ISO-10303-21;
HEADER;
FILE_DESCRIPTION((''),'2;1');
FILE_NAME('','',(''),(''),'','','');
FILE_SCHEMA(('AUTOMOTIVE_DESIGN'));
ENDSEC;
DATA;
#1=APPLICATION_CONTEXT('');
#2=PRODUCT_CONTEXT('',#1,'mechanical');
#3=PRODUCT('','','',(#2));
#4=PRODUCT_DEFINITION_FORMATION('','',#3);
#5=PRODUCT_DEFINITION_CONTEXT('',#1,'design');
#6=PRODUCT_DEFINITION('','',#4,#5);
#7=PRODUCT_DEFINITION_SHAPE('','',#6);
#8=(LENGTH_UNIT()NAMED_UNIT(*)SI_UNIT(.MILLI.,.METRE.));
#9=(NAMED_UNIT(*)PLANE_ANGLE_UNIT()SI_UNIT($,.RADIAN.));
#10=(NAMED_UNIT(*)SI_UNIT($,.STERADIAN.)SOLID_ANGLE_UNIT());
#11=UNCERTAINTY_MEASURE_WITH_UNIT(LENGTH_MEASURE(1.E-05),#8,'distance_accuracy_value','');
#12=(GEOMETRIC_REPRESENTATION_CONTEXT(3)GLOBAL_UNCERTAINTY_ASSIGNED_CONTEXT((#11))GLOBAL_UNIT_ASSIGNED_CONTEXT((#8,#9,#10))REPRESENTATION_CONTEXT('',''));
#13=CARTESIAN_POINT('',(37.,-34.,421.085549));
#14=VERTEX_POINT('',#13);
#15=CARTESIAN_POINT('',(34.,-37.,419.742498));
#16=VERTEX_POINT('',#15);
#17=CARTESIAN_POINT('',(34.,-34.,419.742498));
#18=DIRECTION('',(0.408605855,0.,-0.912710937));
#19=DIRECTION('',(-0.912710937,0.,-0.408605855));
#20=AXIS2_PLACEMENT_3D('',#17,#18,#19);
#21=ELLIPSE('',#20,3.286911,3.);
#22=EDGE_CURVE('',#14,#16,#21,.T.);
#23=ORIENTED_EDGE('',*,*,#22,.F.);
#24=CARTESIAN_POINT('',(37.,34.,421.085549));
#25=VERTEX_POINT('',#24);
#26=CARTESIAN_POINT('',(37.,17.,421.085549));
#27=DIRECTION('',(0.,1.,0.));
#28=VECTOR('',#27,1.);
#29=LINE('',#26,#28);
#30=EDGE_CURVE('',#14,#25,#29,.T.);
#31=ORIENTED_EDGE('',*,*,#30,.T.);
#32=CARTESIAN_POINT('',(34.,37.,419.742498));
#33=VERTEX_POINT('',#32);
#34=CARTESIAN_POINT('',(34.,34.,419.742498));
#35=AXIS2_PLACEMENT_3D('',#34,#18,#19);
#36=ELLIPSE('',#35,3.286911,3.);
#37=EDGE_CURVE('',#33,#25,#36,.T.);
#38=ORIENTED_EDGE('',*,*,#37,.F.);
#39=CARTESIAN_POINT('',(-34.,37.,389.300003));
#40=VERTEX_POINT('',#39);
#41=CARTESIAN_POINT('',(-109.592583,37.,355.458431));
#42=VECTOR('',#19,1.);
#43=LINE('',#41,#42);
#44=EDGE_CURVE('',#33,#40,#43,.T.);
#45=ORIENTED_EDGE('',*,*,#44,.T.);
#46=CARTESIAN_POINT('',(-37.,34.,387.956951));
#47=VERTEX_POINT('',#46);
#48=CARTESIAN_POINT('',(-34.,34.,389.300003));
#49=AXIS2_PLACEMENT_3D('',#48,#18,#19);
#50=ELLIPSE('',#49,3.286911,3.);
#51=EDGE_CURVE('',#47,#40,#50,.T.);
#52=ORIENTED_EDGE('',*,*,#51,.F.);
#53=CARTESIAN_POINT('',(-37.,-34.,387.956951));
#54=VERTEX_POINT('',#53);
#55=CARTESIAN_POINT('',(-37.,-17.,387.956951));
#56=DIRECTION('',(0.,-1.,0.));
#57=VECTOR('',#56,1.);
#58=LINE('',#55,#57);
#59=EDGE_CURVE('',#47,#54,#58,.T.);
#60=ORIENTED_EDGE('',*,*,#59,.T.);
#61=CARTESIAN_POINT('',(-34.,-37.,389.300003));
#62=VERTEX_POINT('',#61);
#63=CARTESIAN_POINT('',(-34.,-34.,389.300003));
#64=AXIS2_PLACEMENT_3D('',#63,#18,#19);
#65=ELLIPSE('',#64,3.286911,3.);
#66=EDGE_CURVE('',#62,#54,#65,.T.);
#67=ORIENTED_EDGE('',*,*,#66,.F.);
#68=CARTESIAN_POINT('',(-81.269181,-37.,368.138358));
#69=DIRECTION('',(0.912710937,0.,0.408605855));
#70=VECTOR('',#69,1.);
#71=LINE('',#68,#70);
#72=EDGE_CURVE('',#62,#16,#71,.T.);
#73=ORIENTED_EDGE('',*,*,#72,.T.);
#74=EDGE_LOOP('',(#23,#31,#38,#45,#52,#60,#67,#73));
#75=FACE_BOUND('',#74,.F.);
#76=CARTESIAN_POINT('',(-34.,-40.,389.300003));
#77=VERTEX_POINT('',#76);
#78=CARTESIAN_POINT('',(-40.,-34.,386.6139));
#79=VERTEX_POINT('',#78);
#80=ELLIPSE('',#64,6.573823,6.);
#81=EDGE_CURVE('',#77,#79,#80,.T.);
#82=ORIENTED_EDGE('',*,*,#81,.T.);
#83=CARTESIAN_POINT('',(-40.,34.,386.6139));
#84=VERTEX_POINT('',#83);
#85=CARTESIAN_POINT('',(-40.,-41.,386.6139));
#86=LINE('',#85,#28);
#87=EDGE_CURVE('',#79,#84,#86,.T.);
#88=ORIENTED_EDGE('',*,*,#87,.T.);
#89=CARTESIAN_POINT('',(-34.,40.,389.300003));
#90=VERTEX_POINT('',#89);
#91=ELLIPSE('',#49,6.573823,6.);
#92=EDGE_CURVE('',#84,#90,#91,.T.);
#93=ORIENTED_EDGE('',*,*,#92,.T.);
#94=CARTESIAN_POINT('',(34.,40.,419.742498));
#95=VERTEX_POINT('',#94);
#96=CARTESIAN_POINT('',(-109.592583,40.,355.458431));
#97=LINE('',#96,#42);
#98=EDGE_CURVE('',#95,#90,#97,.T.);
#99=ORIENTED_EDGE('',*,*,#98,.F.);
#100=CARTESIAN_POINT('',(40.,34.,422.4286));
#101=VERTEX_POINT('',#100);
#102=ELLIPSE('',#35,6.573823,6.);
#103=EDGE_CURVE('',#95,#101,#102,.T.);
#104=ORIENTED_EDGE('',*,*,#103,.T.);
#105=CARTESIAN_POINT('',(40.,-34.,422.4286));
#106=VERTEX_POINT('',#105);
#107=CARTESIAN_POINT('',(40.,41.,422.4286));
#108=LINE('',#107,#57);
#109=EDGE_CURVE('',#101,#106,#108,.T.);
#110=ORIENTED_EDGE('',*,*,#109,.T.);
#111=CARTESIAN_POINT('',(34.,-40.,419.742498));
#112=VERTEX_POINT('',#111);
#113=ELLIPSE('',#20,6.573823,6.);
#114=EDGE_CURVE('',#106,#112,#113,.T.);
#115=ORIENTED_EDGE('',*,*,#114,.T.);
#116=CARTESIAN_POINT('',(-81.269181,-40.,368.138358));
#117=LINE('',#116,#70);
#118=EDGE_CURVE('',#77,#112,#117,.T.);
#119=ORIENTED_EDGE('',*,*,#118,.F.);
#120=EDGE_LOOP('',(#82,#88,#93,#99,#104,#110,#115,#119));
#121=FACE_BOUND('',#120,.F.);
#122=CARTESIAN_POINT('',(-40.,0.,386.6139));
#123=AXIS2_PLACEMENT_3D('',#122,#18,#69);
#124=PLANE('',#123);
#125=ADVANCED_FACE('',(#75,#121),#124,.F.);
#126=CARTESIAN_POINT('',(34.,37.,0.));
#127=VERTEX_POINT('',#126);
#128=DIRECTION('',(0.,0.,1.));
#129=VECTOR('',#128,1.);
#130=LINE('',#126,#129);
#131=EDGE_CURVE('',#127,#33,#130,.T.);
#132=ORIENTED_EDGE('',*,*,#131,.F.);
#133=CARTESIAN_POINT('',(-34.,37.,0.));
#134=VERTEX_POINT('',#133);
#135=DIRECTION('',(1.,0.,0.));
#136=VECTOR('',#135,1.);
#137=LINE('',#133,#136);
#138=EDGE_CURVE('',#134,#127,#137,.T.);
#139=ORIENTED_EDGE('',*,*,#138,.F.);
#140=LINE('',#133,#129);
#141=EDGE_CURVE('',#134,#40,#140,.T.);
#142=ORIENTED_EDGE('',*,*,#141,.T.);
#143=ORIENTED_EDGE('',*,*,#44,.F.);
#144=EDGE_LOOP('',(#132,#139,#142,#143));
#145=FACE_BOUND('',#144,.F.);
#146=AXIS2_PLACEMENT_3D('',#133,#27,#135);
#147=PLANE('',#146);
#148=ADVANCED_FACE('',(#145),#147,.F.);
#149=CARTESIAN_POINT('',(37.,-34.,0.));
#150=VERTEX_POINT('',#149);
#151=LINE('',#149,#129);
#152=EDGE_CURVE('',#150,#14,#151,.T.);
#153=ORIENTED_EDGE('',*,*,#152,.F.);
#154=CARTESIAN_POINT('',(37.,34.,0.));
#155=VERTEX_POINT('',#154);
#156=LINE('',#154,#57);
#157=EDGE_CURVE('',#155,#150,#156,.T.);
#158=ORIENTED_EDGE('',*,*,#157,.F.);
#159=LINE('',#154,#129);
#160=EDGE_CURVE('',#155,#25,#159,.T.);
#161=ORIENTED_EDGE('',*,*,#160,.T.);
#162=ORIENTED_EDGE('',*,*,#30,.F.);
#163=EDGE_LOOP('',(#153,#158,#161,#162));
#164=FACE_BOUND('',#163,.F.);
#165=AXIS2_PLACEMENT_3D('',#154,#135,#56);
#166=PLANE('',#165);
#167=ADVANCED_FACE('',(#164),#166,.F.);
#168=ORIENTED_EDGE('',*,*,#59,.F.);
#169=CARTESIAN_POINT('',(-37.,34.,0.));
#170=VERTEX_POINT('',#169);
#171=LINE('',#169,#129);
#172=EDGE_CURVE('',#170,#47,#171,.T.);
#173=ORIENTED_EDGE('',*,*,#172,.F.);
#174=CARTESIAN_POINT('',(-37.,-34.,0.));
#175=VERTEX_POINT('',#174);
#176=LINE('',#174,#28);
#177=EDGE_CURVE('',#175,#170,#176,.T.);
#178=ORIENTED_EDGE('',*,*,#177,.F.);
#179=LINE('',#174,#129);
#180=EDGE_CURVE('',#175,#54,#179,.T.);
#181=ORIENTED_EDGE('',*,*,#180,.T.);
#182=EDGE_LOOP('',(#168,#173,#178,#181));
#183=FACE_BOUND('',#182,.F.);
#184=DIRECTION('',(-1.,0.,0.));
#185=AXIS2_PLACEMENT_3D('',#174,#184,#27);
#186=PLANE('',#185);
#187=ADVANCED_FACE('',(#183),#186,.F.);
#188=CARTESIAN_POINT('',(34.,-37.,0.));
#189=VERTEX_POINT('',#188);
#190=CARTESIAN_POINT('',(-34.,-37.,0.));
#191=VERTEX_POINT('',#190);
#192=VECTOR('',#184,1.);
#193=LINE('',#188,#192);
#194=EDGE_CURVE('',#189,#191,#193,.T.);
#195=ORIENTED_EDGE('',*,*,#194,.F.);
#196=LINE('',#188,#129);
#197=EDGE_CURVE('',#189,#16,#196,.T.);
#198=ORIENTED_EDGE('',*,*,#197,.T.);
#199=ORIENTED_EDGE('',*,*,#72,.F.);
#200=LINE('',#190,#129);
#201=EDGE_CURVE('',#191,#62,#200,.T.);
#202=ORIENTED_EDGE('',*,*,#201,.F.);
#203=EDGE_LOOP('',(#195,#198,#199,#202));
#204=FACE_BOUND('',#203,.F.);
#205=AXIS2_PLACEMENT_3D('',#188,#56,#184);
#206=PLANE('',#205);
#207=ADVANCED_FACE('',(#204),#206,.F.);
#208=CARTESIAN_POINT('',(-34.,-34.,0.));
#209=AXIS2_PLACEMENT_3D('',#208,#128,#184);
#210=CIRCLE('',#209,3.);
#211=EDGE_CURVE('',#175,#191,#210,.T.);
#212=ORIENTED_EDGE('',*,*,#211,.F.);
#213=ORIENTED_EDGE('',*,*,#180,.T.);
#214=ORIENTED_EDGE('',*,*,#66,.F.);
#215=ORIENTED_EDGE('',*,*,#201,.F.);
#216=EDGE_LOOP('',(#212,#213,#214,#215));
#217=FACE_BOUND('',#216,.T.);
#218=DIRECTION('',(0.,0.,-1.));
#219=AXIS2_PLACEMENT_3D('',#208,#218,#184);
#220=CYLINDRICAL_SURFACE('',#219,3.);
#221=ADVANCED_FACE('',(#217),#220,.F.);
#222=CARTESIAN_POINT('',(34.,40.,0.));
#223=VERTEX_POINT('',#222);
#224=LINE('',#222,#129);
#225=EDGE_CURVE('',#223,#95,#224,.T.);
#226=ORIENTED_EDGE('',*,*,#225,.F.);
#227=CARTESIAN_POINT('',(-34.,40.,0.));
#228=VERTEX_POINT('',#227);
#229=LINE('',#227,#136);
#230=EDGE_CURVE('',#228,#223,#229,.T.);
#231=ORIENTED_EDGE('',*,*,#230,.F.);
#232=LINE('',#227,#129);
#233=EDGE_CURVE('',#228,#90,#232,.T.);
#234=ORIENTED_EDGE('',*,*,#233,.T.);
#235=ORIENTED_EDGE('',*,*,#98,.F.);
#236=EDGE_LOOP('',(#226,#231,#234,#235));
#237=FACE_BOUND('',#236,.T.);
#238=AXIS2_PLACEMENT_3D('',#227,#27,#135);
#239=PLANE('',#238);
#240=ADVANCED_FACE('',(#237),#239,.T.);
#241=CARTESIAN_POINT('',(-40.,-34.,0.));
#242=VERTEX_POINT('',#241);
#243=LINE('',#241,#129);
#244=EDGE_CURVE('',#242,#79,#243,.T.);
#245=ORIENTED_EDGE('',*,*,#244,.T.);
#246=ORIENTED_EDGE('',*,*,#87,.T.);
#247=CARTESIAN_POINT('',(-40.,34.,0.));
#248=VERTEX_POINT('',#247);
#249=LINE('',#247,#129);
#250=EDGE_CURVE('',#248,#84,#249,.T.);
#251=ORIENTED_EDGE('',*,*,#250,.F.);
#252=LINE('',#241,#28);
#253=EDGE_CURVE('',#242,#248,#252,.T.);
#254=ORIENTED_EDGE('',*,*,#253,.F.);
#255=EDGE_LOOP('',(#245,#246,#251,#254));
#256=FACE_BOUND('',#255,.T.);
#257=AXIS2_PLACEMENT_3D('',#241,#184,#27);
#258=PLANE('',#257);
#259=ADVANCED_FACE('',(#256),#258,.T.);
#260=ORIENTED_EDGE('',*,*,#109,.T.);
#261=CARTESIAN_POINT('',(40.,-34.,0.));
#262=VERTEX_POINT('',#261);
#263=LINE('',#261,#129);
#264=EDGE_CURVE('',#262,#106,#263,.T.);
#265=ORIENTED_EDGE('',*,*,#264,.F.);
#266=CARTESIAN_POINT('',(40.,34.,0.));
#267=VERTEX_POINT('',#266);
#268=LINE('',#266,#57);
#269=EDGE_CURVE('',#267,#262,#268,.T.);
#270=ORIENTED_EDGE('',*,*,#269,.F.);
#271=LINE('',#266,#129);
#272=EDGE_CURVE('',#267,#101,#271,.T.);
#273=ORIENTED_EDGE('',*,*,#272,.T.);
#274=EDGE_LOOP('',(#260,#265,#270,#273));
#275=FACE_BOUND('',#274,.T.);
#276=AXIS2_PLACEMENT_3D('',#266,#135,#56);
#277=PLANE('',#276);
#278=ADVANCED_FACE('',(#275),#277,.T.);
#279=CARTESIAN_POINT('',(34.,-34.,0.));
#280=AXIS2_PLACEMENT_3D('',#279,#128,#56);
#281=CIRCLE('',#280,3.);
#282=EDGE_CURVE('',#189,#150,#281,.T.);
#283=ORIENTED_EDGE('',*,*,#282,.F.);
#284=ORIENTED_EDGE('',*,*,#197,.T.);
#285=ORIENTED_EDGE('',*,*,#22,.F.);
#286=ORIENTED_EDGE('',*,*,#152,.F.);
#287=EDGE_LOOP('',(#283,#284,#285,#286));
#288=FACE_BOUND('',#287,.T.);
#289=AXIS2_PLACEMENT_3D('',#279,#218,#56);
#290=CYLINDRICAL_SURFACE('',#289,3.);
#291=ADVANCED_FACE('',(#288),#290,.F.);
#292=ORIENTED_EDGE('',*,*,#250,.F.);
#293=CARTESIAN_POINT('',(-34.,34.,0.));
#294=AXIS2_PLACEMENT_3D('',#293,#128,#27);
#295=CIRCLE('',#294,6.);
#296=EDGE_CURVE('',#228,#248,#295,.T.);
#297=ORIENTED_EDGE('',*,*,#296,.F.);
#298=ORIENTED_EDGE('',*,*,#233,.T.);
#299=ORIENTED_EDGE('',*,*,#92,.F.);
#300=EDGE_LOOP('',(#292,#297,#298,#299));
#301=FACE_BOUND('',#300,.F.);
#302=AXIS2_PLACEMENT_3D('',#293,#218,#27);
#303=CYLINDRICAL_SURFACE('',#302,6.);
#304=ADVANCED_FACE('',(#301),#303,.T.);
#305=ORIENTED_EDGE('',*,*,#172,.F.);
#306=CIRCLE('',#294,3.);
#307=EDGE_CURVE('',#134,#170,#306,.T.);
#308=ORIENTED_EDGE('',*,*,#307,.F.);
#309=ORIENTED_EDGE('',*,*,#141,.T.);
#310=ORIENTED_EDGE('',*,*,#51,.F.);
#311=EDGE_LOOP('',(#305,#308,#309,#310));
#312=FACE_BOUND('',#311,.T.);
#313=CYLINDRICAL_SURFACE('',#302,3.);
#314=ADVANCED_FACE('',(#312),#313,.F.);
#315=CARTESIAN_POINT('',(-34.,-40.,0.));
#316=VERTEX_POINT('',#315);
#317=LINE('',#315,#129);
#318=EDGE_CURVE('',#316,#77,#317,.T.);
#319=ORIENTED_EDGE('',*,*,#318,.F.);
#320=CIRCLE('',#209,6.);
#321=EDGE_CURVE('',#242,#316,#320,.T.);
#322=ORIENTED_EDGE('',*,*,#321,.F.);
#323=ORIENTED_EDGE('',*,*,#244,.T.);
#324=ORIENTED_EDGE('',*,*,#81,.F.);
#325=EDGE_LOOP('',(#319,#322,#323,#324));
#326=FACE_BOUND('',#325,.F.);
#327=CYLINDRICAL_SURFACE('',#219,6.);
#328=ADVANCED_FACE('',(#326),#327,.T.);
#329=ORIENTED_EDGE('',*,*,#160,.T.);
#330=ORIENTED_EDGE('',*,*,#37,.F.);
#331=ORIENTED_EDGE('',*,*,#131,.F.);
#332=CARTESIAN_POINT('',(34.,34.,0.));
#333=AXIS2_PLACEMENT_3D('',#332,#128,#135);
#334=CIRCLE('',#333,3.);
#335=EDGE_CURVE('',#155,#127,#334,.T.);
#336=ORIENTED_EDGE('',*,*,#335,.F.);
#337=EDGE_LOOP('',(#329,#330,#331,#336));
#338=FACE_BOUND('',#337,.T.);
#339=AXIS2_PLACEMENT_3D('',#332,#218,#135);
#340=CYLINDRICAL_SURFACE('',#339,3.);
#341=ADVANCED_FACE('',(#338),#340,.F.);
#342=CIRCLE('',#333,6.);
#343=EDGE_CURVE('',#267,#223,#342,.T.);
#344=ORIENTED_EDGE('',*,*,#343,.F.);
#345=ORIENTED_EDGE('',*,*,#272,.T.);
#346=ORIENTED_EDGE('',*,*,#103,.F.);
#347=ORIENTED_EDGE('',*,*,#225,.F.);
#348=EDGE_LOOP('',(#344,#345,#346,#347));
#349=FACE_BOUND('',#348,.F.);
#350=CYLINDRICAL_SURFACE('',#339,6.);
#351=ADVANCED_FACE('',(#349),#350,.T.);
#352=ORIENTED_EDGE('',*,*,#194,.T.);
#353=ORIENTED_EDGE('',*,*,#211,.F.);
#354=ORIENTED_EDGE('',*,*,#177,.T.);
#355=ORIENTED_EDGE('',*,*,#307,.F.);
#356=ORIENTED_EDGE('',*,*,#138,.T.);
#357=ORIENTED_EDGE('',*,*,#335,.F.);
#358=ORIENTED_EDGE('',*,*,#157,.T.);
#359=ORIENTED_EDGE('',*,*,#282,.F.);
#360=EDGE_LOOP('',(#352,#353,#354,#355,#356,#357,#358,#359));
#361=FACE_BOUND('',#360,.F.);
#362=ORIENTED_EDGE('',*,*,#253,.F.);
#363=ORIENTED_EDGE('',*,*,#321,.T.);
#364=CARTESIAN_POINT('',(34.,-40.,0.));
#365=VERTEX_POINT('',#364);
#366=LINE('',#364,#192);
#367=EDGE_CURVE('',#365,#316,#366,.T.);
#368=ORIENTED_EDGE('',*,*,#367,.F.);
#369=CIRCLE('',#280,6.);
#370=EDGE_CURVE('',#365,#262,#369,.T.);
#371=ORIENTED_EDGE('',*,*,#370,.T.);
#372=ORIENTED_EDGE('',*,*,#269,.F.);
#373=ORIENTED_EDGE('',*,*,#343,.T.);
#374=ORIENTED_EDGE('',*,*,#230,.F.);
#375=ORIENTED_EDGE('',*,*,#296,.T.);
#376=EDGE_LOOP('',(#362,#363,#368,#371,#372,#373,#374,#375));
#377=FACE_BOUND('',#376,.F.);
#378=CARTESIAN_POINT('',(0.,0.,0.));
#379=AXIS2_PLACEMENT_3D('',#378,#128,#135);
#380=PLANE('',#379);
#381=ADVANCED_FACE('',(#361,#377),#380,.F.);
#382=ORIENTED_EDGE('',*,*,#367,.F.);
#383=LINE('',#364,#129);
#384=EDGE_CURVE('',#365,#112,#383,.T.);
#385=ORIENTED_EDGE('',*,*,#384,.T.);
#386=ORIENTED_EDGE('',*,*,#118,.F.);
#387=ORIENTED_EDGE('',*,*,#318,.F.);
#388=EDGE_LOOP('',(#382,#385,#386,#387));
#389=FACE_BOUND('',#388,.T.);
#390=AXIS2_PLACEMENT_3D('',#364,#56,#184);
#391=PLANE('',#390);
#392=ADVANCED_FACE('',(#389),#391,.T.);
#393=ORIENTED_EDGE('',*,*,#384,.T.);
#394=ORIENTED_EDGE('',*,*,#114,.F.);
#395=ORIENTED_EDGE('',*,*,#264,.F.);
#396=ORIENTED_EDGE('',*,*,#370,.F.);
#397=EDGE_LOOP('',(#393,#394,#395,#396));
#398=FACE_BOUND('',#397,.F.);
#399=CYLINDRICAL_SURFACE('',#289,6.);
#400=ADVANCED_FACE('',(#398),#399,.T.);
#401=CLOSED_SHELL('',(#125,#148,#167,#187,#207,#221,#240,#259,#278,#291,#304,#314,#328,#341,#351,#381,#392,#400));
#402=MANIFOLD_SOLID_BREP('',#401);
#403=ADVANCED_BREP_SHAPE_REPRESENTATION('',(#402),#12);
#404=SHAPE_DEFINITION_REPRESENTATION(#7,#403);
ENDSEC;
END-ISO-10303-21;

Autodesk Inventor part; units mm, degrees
ref_plane "YZ Plane" through (0, 0, 0) normal (1, 0, 0) x (0, 1, 0)
ref_plane "Start plane" through (0, 0, 0) normal (0, 0, 1) x (1, 0, 0)
ref_plane "End plane" through (0, 0, 1000) normal (0, 0, 1) x (1, 0, 0)
sketch "Sketch" plane through (0, 0, 0) normal (0, 0, 1) x (1, 0, 0)
  line L0 (-40, -34) -> (-40, 34)
  line L1 (-34, 40) -> (34, 40)
  line L2 (40, 34) -> (40, -34)
  line L3 (34, -40) -> (-34, -40)
  arc A0 (-40, -34) -> (-34, -40) centre (-34, -34) ccw
  arc A1 (40, 34) -> (34, 40) centre (34, 34) ccw
  arc A2 (-34, 40) -> (-40, 34) centre (-34, 34) ccw
  arc A3 (34, -40) -> (40, -34) centre (34, -34) ccw
  arc A4 (-34, 37) -> (-37, 34) centre (-34, 34) ccw
  line L4 (-34, 37) -> (34, 37)
  arc A5 (37, 34) -> (34, 37) centre (34, 34) ccw
  line L5 (37, 34) -> (37, -34)
  arc A6 (34, -37) -> (37, -34) centre (34, -34) ccw
  line L6 (34, -37) -> (-34, -37)
  arc A7 (-37, -34) -> (-34, -37) centre (-34, -34) ccw
  line L7 (-37, -34) -> (-37, 34)
  line L8 (0, 44.3196) -> (0, -44.3196) construction
  line L9 (-1340.2663, 0) -> (380.2663, 0) construction
  dimension "d7" = 6
  dimension "d9" = 80
  dimension "d11" = 80
  dimension "d12" = 3
  dimension "d15" = 40
  dimension "d16" = 40
extrude "Body" add sketch "Sketch" along normal up to surface (1000 mm away) from surface at 0
sketch "Sketch3" plane through (0, 0, 0) normal (0, 0, 1) x (1, 0, 0)
  line L0 (0, 0) -> (10, 0)
ref_plane "Work Plane3" through (0, 0, 0) normal (0, -1, 0) x (1, 0, 0)
sketch "Sketch5" plane through (0, 0, 0) normal (0, 1, 0) x (-1, 0, 0)
  line L0 (-40, 0) -> (-40, 1000) projected
  line L1 (40, 0) -> (40, 1000) projected
  line L2 (40, 0) -> (40, 1000) projected
  line L3 (40, 397.5702) -> (490, 397.5702) construction
  line L4 (-47.0166, 436.8676) -> (1027.0166, 436.8676) construction
  arc A0 (-47.0166, 436.8676) -> (490, 310) centre (490, 1510) ccw construction
  line L5 (-110, 538.8152) -> (1090, 538.8152) construction
  arc A1 (-110, 538.8152) -> (-47.0166, 436.8676) centre (4, 538.8152) ccw construction
  arc A2 (1027.0166, 436.8676) -> (1090, 538.8152) centre (976, 538.8152) ccw
  line L6 (-110, 538.8152) -> (-110, 578.8152)
  line L7 (1090, 538.8152) -> (1090, 578.8152)
  line L8 (-110, 578.8152) -> (490, 578.8152) construction
  line L9 (490, 578.8152) -> (490, 0)
  arc A3 (490, 310) -> (1027.0166, 436.8676) centre (490, 1510) ccw
  line L10 (490, 578.8152) -> (1090, 578.8152)
  point P0 (0, 0)
  dimension "d22" = 450
  dimension "d24" = 1200
  dimension "d25" = 114
  dimension "d26" = 40
  dimension "d27" = 1200
  dimension "d28" = 310
  dimension "d30" = 397.5702
sketch "Sketch6" plane through (0, 0, 0) normal (0, 1, 0) x (-1, 0, 0)
  line L0 (40, 0) -> (40, 1000) projected
  line L1 (40, 0) -> (40, 1000) projected
  line L2 (-40, 0) -> (-40, 1000) projected
  line L3 (-40, 0) -> (-40, 1000) projected
  line L4 (34, 1000) -> (40, 1000) projected
  line L5 (40, 1000) -> (-40, 1000)
  line L6 (-40, 433.3849) -> (40, 397.5702)
  arc A0 (-47.0166, 436.8676) -> (490, 310) centre (490, 1510) ccw construction
  line L7 (40, 386.6139) -> (-40, 422.4286)
  point P0 (0, 0)
  point P1 (40, 386.6139)
  dimension "d33" = 10
extrude "Extrusion2" cut sketch "Sketch6" along normal through all both and the other way through all
sketch "Sketch4" plane through (0, 0, 0) normal (0, -1, 0) x (1, 0, 0)
  line L0 (-1340.2663, 0) -> (380.2663, 0) projected
  line L1 (-1340.2663, 1000) -> (380.2663, 1000) projected
  dimension "d18" = 1000
equation "\"d7\" = G_IR"
equation "\"d9\" = G_W"
equation "\"d11\" = G_H"
equation "\"d12\" = G_T"
equation "\"d15\" = 0.5 * d9"
equation "\"d16\" = 0.5 * d11"
equation "\"d3\" = G_L"
equation "\"d24\" = d27"
equation "\"d25\" = 0.095 * d27"
equation "\"G_W\" = 80"
equation "\"G_H\" = 80"
equation "\"G_T\" = 3"
equation "\"G_IR\" = 6"
equation "\"G_L\" = d18"
equation "\"G_OFFSET_START\" = 0"
equation "\"G_OFFSET_END\" = 0"
properties part number "ISO 4019 - 80x80x3 - 1000" material "Steel, Mild"
